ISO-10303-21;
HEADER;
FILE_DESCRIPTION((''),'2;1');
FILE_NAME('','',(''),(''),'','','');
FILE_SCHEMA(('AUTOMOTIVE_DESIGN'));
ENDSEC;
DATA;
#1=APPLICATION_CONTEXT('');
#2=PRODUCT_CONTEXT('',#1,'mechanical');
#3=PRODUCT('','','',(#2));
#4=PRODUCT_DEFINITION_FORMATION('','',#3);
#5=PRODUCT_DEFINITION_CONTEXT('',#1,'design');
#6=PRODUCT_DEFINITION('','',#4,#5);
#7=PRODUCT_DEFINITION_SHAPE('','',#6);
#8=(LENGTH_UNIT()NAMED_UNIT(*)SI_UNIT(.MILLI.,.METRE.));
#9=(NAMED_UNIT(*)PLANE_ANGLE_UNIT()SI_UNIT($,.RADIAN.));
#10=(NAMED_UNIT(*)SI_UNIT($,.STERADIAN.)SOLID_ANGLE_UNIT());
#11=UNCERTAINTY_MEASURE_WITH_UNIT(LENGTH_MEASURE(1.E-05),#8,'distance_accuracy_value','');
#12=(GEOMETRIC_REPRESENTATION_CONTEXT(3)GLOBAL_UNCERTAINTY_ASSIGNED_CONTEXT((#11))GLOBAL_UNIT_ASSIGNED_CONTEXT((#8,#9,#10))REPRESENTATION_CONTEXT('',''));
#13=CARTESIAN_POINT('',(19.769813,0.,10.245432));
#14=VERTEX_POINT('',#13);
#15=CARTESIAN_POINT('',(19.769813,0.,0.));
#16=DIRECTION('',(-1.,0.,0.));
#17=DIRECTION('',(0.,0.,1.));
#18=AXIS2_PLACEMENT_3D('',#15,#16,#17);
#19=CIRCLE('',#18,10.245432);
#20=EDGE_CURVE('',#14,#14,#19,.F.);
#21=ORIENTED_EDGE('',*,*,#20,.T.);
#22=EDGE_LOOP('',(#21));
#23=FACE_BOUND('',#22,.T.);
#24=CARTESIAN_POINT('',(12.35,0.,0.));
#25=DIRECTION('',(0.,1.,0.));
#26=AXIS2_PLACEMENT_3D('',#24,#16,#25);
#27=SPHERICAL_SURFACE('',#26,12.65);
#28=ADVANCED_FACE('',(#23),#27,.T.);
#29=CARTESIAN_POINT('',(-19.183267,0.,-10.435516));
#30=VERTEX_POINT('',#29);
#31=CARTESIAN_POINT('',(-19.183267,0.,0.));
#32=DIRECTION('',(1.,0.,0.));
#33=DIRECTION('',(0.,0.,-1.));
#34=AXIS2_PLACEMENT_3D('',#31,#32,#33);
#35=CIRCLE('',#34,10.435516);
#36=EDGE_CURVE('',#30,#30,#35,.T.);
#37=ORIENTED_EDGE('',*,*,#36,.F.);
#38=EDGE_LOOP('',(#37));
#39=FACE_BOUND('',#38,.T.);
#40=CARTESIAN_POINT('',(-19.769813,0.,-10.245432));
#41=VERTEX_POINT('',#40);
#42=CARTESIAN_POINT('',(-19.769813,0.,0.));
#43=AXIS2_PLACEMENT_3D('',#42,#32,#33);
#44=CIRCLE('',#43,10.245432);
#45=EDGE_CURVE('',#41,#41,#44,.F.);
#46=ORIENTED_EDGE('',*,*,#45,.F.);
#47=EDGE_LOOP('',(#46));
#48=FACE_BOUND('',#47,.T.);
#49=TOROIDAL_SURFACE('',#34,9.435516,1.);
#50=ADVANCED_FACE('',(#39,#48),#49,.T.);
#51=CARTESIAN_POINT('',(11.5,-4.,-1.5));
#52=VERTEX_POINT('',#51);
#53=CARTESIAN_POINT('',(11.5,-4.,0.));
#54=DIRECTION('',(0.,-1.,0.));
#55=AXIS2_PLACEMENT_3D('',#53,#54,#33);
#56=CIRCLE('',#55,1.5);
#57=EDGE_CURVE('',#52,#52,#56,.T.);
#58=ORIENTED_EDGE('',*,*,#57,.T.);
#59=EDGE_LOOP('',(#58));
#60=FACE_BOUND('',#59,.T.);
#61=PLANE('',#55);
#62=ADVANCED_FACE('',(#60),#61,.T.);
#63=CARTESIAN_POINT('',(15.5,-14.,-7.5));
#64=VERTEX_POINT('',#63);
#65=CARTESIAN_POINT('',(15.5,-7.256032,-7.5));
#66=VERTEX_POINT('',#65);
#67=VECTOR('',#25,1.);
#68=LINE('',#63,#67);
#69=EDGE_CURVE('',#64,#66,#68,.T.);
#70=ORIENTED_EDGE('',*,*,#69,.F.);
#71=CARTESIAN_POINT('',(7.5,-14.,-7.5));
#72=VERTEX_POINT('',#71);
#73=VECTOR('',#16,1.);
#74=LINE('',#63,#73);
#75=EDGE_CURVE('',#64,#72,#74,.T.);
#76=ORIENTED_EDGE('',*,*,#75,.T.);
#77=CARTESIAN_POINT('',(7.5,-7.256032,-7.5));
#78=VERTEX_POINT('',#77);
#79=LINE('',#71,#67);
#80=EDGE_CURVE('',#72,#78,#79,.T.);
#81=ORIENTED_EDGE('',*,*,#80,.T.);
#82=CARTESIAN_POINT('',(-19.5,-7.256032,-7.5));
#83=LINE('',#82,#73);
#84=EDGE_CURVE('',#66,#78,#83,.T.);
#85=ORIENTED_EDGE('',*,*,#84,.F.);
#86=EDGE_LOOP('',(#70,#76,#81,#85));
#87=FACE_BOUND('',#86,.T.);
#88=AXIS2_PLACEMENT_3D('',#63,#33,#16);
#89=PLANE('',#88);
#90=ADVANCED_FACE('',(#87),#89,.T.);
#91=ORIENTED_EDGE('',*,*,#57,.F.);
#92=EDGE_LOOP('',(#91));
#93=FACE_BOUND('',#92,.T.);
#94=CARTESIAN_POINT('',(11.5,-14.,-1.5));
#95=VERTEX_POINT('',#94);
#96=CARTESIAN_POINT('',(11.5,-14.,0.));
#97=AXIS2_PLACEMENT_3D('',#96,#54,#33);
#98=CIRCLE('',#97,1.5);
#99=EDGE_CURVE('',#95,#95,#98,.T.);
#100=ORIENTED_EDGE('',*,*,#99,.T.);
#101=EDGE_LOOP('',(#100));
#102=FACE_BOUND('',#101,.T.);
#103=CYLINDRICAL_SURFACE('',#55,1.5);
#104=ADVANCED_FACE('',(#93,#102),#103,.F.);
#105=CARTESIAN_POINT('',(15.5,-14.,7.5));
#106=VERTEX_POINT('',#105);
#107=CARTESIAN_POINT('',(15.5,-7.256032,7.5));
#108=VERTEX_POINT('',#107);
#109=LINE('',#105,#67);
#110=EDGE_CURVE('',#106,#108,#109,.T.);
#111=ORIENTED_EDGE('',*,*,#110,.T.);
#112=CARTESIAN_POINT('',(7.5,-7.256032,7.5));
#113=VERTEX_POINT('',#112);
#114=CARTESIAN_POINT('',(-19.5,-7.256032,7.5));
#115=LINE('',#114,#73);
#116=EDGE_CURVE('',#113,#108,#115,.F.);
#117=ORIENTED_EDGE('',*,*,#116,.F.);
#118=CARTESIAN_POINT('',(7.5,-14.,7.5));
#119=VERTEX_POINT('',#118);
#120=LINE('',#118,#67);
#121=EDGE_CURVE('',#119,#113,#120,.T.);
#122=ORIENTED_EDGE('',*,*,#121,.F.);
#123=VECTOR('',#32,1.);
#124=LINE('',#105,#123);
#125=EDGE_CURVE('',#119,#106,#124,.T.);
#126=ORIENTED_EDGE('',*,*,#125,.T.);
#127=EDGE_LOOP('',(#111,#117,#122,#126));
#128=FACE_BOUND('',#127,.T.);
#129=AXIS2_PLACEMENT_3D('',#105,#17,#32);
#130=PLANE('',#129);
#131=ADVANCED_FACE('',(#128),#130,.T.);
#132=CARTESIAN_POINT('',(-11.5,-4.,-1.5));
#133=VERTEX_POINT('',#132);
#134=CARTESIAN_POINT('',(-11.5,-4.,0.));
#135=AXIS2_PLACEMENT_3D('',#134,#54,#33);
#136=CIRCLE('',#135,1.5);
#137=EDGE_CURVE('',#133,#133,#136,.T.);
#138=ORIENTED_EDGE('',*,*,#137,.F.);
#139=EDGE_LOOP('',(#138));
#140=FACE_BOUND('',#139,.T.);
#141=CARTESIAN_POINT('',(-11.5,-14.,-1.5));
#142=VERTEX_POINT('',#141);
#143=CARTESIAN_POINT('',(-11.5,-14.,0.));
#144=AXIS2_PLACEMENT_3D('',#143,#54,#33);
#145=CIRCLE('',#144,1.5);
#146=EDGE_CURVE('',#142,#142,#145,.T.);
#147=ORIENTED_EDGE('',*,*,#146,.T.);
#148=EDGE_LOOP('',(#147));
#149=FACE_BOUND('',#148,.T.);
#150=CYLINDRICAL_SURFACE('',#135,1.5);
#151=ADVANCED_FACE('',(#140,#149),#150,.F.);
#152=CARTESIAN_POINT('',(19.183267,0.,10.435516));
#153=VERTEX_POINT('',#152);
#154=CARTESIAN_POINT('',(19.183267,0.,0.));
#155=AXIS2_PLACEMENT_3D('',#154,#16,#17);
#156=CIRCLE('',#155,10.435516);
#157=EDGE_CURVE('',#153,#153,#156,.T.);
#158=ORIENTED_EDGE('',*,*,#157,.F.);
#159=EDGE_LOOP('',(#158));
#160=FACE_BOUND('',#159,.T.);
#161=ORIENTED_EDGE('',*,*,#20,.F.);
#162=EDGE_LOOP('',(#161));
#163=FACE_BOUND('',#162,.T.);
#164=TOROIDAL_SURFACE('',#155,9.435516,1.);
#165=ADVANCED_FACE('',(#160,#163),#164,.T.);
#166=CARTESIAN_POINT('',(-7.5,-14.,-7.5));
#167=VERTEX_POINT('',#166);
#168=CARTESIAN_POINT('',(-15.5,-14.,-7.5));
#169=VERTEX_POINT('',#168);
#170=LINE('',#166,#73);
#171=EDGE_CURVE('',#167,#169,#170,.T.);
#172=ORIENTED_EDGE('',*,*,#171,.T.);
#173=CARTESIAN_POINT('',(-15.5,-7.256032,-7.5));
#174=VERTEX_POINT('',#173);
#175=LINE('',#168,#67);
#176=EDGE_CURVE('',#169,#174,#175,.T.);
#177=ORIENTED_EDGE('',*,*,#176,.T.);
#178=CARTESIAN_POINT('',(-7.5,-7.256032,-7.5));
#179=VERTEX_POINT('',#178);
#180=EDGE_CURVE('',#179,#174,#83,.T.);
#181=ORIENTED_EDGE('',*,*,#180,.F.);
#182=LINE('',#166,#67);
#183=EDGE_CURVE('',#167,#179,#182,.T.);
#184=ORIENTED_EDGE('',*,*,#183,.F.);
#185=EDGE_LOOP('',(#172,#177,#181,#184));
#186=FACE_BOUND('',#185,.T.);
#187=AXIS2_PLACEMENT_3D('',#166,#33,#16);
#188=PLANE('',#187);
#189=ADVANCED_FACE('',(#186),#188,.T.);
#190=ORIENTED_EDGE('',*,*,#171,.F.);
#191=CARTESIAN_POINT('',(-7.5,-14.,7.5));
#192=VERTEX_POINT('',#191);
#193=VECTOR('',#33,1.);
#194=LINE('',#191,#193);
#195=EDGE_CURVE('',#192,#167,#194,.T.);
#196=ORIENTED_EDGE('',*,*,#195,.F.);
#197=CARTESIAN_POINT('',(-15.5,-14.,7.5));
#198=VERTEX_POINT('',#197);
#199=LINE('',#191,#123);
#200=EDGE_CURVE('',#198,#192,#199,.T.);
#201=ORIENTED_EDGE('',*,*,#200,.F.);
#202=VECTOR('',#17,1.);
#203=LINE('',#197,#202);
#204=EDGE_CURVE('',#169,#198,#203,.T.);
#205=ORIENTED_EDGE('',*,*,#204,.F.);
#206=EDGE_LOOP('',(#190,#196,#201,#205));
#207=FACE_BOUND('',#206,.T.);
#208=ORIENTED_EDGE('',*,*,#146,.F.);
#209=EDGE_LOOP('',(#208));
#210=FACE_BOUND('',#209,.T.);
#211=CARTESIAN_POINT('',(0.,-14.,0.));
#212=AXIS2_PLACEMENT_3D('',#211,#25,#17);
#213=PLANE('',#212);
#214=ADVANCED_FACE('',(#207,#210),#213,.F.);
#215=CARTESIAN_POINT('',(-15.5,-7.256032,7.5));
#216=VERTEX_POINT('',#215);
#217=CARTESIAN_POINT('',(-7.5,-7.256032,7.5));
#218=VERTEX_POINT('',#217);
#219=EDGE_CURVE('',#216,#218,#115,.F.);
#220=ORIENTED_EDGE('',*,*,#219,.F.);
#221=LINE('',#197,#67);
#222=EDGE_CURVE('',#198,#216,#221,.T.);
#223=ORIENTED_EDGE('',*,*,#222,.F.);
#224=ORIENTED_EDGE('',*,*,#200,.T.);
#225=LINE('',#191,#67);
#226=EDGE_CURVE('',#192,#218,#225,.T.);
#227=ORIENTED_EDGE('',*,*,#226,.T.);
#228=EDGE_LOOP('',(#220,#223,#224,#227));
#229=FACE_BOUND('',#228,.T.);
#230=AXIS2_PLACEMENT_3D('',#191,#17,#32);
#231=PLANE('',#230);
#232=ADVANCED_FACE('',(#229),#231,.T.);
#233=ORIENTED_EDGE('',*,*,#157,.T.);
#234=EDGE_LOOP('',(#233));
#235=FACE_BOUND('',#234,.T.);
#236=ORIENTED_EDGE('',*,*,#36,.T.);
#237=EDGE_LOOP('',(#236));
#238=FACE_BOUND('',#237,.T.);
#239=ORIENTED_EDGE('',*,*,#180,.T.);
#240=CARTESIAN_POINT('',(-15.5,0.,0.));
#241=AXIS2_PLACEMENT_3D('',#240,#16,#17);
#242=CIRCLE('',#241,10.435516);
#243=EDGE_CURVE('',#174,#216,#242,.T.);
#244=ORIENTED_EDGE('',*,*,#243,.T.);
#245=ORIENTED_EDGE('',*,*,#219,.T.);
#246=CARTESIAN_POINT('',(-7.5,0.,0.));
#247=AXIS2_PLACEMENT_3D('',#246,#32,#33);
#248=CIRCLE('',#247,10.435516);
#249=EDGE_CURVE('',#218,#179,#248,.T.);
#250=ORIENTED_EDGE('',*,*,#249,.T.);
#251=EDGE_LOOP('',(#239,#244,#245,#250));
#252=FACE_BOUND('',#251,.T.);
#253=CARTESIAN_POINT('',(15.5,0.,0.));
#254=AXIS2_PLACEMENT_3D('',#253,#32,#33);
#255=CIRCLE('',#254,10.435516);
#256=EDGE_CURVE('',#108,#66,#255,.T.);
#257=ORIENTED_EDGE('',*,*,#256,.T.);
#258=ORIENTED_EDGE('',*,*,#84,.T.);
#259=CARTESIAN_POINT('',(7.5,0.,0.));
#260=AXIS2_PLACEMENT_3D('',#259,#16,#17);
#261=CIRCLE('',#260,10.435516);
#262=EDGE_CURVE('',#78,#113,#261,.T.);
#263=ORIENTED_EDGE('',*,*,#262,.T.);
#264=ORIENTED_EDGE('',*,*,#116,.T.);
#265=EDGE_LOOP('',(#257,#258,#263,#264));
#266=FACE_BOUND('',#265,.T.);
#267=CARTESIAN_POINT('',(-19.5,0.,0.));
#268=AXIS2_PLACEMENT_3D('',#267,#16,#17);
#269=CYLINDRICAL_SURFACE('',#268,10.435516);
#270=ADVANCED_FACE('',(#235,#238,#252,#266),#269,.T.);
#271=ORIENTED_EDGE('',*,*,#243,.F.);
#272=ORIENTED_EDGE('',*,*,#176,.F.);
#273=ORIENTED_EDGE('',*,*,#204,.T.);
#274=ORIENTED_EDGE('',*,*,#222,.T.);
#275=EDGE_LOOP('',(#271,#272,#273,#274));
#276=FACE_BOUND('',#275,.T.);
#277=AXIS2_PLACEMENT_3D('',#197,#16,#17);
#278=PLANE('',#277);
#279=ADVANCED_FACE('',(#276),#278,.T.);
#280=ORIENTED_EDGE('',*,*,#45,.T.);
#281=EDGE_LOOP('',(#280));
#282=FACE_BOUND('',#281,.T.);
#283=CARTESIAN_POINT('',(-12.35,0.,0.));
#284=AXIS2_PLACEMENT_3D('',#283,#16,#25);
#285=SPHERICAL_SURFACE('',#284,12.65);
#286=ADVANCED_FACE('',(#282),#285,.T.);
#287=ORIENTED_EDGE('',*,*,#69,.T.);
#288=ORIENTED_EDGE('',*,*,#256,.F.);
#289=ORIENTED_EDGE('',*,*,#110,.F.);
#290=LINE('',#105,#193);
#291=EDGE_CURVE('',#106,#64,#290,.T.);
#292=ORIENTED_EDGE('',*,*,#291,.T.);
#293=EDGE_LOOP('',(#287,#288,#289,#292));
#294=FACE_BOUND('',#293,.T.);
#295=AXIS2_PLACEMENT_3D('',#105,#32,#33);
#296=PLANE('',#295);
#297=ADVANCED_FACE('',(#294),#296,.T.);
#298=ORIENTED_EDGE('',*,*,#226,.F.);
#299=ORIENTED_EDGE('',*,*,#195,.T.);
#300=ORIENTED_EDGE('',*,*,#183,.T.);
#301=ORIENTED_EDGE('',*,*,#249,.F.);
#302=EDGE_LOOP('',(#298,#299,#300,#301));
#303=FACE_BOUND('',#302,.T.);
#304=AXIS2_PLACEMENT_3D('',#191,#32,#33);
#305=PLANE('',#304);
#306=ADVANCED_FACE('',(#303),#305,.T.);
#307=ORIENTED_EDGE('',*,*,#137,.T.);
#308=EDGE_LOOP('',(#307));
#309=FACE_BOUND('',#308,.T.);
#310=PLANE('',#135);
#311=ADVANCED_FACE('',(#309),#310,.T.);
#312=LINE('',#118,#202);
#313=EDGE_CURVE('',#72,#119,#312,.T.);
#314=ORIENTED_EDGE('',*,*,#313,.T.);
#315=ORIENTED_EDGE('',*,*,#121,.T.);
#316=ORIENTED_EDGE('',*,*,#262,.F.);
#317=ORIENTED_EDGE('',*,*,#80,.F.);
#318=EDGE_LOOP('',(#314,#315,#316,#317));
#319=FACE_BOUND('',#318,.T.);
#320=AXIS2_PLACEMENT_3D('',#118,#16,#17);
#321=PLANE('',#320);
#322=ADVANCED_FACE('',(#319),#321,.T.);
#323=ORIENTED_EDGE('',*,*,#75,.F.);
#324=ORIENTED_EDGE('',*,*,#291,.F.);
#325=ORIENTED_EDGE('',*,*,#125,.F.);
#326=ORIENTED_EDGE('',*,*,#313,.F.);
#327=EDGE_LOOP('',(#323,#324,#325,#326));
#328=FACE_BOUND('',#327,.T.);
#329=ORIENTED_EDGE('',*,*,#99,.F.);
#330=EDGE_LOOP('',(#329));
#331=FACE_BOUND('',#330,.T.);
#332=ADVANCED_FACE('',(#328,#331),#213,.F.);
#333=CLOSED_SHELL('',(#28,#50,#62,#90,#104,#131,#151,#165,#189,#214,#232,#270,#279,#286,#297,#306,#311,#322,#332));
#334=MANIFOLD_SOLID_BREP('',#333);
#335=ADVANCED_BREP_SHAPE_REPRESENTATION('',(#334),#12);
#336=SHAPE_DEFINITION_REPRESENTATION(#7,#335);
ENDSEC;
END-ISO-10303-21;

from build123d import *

# Parameters (mm, degrees)
SKETCH_3_W          = 8
SKETCH_3_H          = 15
EXTRUDE_1_DEPTH     = 14
SKETCH_4_R          = 1.5
CUT_EXTRUDE_1_DEPTH = 10
FILLET_1_R          = 1


with BuildPart() as part:
    # ｽｹｯﾁ1 → 回転2 (revolve)
    with BuildSketch(Plane.XY):
        with BuildLine():
            Line((-19.5, 10.435516279), (19.5, 10.435516279))
            ThreePointArc((19.5, 10.435516279), (23.540844472, 5.898092912), (25, 0))
            Line((25, 0), (-25, 0))
            ThreePointArc((-25, 0), (-23.540844472, 5.898092912), (-19.5, 10.435516279))
        make_face()
    revolve(axis=Axis((-19.5, 0, 0), (1, 0, 0)))

    # ｽｹｯﾁ3 → ﾎﾞｽ - 押し出し1 (add)
    with BuildSketch(Plane(origin=(0, 0, 0), x_dir=(1, 0, 0), z_dir=(0, 1, 0))):
        with Locations((-11.5, 0)):
            Rectangle(SKETCH_3_W, SKETCH_3_H)
        with Locations((11.5, 0)):
            Rectangle(SKETCH_3_W, SKETCH_3_H)
    extrude(amount=-EXTRUDE_1_DEPTH)

    # ｽｹｯﾁ4 → ｶｯﾄ - 押し出し1 (cut)
    with BuildSketch(Plane(origin=(0, -14, 0), x_dir=(-1, 0, 0), z_dir=(0, -1, 0))):
        with Locations(Location((-11.5, 0, 0), (0, 0, 90))):
            Circle(SKETCH_4_R)
        with Locations(Location((11.5, 0, 0), (0, 0, 90))):
            Circle(SKETCH_4_R)
    extrude(amount=-CUT_EXTRUDE_1_DEPTH, mode=Mode.SUBTRACT)

    # ﾌｨﾚｯﾄ1
    fillet_1_edges = [part.edges().sort_by_distance(p)[0] for p in [
        (-19.5, -10.435516279, 0),
        (19.5, -10.435516279, 0),
    ]]
    fillet(fillet_1_edges, radius=FILLET_1_R)


solid = part.part
